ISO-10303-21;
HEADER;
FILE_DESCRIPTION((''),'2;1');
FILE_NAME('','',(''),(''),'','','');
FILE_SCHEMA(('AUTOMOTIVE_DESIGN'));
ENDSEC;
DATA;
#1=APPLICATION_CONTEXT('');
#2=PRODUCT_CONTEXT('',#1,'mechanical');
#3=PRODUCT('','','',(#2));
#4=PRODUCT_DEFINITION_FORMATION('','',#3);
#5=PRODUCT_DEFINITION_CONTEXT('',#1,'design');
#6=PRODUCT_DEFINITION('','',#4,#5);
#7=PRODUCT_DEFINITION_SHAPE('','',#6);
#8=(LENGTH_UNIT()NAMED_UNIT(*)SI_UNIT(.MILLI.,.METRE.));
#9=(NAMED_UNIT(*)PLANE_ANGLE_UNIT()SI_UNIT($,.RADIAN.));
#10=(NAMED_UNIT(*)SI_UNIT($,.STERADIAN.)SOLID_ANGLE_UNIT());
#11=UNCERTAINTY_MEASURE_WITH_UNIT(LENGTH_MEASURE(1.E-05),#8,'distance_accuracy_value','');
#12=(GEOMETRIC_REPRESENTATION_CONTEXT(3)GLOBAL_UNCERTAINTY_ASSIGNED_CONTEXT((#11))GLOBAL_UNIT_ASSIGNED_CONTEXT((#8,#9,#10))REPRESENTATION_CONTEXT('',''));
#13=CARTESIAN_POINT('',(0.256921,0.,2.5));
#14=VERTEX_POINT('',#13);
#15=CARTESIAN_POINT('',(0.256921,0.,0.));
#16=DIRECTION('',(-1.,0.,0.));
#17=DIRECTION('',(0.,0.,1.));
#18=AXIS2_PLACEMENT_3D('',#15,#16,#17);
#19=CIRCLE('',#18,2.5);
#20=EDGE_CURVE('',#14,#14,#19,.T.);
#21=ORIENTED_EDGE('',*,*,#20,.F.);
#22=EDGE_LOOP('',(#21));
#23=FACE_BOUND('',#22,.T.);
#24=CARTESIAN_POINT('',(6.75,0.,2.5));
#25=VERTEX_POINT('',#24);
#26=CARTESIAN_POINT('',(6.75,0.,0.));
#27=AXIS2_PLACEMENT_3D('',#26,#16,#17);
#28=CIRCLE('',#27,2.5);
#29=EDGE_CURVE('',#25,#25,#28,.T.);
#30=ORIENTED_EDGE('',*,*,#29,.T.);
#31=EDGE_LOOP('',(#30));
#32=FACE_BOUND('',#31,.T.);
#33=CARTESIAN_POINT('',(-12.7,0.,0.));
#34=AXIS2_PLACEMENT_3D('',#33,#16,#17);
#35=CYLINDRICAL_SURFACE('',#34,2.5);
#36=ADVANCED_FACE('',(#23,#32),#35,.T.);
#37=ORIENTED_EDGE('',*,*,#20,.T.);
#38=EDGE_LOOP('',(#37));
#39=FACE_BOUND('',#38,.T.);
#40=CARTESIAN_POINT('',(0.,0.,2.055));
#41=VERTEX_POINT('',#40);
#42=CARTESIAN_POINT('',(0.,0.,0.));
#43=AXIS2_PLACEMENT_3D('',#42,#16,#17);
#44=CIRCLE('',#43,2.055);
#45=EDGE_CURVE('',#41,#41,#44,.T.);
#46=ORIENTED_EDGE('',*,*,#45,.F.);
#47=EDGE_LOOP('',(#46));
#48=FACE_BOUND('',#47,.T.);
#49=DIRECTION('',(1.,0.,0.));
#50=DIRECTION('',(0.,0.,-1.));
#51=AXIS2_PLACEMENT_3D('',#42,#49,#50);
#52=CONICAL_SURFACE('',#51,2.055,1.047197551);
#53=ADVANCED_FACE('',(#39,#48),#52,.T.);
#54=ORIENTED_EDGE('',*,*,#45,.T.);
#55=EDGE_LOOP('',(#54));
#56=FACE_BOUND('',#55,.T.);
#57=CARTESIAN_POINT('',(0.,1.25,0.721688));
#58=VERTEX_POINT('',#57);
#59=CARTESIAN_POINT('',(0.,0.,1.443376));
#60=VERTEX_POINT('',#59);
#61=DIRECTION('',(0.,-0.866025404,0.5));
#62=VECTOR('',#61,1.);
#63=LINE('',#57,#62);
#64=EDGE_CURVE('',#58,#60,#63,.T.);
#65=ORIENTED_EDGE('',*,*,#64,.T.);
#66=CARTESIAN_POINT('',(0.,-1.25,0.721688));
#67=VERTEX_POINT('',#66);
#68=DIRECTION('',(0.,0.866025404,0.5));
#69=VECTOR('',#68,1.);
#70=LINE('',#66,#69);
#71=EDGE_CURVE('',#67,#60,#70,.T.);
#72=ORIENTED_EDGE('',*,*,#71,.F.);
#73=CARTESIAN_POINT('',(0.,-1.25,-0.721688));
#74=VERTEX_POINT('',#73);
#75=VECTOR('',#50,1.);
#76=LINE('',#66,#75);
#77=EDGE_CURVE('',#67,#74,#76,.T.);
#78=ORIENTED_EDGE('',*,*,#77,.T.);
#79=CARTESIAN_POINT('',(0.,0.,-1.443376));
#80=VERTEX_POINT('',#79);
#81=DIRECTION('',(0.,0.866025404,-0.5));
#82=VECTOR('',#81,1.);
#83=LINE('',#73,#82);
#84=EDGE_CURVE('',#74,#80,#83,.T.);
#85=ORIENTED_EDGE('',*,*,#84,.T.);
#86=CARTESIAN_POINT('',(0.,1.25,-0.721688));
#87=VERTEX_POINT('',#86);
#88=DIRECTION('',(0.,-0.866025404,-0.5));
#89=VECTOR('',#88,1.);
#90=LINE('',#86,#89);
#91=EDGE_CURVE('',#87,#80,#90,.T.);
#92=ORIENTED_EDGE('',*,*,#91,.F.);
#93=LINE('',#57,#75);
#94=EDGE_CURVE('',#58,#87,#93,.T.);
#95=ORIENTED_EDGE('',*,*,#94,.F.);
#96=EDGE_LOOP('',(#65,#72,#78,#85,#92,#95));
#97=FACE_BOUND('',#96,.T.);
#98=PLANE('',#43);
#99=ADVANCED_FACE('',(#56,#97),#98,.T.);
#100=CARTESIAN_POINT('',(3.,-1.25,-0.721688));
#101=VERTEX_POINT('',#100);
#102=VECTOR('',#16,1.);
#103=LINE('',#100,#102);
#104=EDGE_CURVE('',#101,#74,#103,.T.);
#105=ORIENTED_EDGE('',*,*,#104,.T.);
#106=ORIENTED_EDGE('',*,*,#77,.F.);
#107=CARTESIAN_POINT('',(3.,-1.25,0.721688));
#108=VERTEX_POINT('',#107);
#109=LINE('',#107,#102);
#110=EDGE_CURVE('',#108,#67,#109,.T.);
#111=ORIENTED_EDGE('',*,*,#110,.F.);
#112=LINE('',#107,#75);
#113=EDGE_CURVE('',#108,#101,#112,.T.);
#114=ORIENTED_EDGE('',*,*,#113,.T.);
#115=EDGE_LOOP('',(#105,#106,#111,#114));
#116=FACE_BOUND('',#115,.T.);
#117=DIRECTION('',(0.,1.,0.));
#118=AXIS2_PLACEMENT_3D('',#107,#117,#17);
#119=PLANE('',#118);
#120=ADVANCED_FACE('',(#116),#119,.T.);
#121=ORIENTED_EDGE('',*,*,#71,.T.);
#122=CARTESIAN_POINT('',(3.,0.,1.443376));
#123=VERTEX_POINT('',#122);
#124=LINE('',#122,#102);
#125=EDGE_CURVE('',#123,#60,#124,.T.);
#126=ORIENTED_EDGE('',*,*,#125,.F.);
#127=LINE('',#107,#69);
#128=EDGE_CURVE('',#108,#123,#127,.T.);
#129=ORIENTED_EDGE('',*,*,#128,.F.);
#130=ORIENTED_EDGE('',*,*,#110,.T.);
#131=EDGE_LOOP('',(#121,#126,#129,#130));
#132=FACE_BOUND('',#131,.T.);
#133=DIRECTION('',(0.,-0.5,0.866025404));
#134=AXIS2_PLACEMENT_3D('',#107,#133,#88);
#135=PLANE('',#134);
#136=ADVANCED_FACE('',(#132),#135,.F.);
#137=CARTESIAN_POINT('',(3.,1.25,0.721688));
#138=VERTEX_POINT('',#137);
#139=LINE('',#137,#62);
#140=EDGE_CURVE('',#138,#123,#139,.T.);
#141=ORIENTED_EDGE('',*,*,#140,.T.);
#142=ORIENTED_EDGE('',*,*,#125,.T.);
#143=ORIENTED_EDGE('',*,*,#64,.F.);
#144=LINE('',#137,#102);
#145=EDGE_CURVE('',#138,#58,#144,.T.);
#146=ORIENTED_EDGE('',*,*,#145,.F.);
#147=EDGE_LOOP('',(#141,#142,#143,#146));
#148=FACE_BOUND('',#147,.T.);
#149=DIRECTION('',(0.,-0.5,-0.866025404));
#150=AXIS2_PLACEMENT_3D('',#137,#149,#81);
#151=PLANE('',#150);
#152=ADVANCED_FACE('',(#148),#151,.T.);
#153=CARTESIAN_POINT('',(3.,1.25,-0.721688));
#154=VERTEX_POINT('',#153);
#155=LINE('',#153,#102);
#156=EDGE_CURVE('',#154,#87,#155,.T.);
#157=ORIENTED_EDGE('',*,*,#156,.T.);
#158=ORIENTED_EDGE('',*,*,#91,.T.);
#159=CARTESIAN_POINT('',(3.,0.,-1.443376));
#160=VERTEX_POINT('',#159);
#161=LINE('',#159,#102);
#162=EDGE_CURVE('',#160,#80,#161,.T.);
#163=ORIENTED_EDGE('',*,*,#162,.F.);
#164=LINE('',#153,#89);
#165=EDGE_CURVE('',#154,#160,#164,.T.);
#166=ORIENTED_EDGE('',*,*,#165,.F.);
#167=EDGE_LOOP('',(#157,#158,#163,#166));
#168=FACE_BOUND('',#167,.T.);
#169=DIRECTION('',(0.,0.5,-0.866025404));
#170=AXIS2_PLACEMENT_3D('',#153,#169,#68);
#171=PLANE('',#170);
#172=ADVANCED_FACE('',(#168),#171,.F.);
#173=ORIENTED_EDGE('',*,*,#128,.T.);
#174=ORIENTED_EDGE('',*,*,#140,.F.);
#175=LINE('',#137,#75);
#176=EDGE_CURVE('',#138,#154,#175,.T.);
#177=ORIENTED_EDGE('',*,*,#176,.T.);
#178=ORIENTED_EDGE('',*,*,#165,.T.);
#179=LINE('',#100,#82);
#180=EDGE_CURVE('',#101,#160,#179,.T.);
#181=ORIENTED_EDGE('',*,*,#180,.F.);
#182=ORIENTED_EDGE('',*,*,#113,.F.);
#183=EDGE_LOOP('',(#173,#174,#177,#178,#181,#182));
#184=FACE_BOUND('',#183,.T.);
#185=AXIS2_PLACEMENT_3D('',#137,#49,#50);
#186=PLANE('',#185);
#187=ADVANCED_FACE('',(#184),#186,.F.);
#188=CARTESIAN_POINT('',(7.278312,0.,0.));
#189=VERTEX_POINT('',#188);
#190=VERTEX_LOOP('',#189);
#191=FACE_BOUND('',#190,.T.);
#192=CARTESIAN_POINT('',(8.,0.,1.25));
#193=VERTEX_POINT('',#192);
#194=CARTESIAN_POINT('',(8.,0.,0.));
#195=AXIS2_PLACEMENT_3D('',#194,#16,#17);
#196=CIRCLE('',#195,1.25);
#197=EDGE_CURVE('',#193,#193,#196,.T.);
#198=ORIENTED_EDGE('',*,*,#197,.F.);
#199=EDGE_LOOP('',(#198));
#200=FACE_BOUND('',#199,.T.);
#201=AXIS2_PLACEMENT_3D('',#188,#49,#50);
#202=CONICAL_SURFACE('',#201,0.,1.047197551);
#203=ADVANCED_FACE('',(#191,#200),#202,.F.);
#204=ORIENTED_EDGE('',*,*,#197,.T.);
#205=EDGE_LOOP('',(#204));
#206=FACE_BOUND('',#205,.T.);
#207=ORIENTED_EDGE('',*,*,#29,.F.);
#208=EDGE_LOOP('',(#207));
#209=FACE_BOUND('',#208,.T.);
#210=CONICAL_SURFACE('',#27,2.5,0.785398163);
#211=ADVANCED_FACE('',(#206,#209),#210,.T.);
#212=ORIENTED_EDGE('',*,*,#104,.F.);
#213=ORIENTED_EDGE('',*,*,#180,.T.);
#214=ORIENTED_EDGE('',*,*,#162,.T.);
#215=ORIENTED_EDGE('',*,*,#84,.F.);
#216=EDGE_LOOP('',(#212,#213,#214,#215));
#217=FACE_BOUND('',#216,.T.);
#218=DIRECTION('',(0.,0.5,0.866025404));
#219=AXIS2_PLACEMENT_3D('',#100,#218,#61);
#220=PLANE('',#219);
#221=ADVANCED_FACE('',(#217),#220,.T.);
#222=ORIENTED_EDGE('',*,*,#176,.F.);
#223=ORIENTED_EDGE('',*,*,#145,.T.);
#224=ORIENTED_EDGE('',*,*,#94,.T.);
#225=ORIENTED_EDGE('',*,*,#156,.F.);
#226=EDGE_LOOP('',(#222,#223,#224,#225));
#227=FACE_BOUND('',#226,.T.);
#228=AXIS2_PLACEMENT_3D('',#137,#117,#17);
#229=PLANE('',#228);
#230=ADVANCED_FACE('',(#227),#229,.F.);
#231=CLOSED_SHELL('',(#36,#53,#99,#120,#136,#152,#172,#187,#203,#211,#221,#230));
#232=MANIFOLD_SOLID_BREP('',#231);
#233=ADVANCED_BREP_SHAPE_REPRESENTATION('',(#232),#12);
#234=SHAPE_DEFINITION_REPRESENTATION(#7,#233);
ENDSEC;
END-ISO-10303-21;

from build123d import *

# Parameters (mm, degrees)
HEX_2_DEPTH = 3


with BuildPart() as part:
    # BodySke → BaseBody (revolve)
    with BuildSketch(Plane.XY):
        Polygon((0, 0), (0, 2.055), (0.25692087, 2.5), (6.75, 2.5), (8, 1.25), (7.278312164, 0), align=None)
    revolve(axis=Axis((-12.7, 0, 0), (1, 0, 0)))

    # Sketch2 → Hex 2 (cut)
    with BuildSketch(Plane.ZY):
        Polygon((0.721687836, 1.25), (-0.721687836, 1.25), (-1.443375673, 0), (-0.721687836, -1.25), (0.721687836, -1.25), (1.443375673, 0), align=None)
    extrude(amount=-HEX_2_DEPTH, mode=Mode.SUBTRACT)


solid = part.part
